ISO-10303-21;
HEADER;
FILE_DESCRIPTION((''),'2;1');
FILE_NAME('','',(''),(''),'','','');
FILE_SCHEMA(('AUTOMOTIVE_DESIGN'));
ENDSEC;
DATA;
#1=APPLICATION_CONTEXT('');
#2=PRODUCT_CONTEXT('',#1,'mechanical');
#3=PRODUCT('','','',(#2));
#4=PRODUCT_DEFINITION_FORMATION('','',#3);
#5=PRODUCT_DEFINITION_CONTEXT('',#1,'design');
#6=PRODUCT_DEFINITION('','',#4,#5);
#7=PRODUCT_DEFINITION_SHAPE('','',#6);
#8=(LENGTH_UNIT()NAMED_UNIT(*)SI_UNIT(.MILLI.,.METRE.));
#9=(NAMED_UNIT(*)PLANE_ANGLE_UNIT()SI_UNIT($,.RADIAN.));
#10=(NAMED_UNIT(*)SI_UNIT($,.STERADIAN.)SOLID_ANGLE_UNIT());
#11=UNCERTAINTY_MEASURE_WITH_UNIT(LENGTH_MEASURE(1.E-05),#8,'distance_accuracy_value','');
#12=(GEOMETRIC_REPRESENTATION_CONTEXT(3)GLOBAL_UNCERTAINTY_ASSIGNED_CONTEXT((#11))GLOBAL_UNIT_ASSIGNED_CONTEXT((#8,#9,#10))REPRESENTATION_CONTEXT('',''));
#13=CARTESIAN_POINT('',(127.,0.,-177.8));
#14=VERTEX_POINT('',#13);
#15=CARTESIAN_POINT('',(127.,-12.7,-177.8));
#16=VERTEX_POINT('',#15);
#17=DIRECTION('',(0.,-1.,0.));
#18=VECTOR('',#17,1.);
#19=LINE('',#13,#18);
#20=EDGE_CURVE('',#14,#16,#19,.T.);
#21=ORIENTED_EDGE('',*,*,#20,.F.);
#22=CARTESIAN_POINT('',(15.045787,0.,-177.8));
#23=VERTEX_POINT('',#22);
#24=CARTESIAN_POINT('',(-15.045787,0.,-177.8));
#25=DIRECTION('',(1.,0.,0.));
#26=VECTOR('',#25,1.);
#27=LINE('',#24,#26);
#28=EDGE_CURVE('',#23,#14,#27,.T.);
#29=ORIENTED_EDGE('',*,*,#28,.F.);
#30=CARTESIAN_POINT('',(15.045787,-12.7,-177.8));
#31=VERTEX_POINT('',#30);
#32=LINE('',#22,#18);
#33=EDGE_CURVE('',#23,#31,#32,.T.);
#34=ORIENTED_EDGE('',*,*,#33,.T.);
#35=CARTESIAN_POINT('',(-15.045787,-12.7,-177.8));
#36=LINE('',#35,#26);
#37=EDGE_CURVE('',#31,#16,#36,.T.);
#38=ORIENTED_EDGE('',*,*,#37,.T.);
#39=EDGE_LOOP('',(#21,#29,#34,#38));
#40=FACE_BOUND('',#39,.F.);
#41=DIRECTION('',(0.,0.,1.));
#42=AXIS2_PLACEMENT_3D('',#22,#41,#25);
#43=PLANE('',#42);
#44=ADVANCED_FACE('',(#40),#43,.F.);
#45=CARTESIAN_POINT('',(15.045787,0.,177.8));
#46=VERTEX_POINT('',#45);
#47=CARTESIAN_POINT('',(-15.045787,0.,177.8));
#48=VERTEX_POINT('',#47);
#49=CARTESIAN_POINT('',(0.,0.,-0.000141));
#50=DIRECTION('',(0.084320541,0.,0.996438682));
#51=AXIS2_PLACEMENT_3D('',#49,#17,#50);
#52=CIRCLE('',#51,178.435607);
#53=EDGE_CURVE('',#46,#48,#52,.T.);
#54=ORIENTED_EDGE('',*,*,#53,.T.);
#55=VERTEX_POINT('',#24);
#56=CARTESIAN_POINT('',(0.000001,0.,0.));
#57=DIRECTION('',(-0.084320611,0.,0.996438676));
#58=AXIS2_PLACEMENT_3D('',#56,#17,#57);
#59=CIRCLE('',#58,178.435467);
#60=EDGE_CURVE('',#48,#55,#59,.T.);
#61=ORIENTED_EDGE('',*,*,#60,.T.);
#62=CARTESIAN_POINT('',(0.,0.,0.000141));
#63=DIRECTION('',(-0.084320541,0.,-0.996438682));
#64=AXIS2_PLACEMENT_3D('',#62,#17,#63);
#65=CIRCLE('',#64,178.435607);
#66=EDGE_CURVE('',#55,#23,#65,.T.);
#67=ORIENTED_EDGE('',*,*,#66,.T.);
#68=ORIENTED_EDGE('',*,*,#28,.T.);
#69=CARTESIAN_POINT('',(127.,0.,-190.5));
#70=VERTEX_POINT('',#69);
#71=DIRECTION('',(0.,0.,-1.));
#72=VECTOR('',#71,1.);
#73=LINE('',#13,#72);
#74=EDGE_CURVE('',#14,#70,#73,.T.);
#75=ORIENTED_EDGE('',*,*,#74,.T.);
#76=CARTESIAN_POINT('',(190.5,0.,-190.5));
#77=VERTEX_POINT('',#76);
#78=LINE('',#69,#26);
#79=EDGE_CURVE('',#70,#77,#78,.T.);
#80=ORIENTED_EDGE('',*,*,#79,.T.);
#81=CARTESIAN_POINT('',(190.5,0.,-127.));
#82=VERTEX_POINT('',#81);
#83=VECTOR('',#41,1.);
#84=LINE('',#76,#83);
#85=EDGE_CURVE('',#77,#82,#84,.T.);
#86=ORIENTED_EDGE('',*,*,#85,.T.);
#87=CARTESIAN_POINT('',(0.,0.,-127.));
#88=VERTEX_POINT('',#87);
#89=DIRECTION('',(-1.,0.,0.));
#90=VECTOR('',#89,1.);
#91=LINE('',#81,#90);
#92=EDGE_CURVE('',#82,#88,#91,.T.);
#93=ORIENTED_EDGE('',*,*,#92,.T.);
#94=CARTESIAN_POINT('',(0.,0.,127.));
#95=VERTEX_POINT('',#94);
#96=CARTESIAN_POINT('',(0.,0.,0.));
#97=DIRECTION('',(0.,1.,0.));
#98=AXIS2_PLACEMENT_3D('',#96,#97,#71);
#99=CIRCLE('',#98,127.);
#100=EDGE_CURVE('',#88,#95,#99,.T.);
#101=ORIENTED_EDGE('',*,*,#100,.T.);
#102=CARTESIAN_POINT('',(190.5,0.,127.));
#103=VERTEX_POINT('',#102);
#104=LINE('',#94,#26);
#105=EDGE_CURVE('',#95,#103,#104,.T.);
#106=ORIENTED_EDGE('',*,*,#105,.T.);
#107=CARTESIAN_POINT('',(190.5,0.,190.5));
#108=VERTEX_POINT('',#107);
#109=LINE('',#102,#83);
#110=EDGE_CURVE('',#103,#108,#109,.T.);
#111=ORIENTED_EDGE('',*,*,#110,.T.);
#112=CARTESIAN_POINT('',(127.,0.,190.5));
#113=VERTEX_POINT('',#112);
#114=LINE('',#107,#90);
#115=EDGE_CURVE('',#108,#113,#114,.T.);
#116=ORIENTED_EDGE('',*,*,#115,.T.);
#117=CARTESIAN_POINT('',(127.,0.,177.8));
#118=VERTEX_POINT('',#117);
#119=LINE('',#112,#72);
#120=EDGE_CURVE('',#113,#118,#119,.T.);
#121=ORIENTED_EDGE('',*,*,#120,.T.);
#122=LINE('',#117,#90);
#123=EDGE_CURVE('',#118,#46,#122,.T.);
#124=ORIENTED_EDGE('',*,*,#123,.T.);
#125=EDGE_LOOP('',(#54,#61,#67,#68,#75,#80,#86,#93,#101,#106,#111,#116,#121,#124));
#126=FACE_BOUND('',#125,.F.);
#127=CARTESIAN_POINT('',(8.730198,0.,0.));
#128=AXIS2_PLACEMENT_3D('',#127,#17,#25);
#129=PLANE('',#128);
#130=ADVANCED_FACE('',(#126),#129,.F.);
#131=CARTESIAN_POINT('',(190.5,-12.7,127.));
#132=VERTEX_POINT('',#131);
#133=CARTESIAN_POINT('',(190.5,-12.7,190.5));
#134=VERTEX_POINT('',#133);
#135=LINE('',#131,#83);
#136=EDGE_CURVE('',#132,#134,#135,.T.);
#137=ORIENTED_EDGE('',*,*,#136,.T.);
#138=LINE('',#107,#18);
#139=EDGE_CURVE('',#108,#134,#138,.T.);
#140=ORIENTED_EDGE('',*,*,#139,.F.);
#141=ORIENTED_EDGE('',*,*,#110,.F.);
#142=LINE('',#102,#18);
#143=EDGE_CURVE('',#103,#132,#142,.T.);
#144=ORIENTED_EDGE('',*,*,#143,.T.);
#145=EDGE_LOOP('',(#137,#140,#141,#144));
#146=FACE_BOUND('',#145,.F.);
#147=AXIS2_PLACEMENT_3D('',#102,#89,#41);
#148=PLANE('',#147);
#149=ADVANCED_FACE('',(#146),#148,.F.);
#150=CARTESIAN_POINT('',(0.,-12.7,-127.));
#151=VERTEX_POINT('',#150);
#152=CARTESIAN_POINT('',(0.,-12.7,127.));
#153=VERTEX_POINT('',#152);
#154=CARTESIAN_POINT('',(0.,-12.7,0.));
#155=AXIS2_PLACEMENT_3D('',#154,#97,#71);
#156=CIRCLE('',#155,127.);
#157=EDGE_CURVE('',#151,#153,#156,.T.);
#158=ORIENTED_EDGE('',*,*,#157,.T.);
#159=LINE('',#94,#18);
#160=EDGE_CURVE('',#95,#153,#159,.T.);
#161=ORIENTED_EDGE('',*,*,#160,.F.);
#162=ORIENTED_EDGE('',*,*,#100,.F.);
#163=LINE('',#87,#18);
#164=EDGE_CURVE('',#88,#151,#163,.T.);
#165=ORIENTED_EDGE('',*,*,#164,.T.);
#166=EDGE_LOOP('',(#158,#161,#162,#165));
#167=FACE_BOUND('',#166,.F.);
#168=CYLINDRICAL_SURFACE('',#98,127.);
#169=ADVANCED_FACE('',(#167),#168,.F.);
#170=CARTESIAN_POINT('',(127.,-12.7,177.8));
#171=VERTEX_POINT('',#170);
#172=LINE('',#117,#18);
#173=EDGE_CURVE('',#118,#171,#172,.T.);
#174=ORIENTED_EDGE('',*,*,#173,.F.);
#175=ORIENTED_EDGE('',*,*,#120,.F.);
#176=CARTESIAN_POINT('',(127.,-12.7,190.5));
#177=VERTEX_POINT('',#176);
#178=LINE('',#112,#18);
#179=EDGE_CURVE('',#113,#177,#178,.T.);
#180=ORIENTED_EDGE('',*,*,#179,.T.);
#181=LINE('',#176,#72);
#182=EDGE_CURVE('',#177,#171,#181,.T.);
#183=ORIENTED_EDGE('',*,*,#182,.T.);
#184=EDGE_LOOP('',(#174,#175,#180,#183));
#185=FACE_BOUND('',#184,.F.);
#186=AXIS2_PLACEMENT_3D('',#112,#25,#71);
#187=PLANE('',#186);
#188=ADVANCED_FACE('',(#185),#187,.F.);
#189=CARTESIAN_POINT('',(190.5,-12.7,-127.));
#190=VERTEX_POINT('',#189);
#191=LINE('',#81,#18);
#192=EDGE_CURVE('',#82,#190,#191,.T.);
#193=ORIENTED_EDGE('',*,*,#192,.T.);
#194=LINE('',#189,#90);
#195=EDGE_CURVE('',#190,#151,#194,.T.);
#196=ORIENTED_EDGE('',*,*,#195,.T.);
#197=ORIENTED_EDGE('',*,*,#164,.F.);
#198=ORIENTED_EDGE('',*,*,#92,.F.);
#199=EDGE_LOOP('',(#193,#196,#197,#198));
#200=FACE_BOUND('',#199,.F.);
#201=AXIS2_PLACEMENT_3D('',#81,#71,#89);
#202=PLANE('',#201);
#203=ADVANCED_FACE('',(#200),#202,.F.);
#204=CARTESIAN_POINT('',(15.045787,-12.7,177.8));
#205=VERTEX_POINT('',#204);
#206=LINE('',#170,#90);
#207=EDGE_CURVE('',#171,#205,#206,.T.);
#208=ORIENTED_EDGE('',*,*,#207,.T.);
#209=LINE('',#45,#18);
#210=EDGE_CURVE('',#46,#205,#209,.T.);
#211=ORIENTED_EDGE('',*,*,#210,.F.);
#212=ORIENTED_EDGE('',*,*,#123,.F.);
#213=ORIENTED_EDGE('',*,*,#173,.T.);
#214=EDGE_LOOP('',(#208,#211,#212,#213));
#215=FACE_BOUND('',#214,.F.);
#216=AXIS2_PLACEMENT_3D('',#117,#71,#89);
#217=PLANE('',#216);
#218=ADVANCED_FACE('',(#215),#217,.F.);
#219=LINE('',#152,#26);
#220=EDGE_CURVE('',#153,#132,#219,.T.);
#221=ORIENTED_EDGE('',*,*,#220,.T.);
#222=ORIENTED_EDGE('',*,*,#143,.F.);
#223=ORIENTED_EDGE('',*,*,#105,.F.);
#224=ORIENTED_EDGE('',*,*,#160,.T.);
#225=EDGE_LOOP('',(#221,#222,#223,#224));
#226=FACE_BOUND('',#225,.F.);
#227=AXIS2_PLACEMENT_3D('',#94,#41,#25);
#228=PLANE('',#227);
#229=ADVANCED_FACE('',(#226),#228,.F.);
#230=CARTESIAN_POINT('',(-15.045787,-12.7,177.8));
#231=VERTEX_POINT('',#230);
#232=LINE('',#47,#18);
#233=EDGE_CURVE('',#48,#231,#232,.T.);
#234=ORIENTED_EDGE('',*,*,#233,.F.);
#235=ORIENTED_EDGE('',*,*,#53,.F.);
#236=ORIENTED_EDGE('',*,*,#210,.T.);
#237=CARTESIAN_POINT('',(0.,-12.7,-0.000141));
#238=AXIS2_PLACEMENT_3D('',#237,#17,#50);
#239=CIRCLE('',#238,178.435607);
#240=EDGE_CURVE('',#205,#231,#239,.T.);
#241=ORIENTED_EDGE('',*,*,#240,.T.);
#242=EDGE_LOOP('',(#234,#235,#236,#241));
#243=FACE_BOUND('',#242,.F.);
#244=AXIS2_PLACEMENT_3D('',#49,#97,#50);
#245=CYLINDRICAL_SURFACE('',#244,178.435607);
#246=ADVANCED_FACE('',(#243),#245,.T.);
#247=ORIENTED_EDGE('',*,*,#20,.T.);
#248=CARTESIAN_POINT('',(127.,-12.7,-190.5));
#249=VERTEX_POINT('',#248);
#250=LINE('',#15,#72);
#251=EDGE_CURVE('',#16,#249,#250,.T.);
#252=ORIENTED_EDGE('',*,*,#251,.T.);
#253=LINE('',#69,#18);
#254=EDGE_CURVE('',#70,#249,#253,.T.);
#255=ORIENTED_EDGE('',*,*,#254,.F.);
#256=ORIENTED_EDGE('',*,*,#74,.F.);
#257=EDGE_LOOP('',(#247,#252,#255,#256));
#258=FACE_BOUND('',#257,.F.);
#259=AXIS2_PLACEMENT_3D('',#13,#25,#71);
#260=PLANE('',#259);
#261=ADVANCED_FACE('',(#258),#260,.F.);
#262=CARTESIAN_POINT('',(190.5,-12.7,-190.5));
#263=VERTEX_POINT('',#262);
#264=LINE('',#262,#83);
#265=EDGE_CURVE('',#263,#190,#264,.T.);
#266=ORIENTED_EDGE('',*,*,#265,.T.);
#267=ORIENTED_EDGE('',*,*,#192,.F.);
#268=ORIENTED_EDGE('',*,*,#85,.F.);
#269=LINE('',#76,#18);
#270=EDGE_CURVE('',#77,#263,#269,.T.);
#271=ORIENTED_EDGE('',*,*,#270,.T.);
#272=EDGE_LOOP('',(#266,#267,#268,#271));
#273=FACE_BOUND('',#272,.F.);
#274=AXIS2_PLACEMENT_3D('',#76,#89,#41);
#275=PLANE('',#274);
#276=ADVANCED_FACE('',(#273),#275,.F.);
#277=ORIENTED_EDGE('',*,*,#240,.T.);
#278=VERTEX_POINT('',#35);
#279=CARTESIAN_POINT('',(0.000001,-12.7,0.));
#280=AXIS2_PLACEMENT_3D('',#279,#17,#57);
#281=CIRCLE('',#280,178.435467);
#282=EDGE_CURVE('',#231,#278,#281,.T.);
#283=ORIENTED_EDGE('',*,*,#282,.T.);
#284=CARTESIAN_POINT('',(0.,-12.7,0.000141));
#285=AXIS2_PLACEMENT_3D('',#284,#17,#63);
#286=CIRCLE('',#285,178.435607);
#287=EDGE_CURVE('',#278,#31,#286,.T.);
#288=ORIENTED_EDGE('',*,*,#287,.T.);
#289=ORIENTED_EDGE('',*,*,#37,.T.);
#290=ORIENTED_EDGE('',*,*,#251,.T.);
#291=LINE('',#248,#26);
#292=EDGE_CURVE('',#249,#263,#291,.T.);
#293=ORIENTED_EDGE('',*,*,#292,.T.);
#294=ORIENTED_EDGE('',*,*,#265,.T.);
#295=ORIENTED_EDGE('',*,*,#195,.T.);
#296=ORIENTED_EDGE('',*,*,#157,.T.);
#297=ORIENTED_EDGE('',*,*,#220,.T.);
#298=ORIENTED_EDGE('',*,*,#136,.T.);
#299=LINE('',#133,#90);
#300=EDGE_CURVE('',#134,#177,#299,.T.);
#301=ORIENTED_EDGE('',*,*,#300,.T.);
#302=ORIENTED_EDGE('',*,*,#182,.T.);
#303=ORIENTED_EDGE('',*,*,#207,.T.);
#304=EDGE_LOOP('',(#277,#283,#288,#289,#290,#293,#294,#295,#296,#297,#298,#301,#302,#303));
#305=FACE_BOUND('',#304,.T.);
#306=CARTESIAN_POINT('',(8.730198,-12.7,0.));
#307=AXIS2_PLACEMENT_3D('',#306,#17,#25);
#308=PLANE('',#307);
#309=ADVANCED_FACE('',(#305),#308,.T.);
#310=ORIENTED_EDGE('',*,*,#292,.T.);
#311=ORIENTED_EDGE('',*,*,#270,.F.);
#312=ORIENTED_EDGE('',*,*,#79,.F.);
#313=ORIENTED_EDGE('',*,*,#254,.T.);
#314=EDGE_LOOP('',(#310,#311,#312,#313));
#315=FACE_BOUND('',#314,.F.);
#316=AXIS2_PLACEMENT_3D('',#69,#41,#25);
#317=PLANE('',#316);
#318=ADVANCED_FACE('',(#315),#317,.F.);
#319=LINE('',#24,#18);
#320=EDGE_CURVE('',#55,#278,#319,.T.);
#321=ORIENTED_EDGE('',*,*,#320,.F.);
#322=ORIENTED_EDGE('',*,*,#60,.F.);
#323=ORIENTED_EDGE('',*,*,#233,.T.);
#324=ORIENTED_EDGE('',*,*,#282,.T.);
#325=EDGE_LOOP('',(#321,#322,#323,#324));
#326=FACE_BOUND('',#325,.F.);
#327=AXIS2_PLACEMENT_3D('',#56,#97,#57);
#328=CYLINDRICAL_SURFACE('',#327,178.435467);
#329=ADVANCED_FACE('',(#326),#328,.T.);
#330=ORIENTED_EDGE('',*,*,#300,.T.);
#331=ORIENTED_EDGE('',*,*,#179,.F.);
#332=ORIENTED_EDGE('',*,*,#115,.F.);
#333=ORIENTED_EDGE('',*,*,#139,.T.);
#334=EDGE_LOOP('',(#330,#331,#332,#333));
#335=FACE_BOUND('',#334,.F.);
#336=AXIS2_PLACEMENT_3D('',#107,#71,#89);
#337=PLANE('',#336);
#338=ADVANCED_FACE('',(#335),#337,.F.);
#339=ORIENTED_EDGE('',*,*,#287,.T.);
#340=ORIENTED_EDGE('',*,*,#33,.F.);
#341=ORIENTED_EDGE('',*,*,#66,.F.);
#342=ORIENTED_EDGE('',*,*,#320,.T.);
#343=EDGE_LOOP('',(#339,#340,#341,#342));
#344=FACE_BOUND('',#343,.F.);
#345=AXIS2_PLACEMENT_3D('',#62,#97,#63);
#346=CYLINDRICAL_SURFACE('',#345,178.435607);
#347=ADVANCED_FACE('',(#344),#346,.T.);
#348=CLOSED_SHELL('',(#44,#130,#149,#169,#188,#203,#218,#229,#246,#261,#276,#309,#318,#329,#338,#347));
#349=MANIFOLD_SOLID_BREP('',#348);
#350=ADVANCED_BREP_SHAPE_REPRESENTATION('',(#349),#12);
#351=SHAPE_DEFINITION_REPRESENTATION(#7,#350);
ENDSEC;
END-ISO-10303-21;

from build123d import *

# Parameters (mm, degrees)
F1_DEPTH = 12.7


with BuildPart() as f1:
    # F0 (on Front) → F1 (new body)
    with BuildSketch(Plane.XZ):
        with BuildLine():
            Line((127, 190.5), (127, 177.8))
            Line((127, 177.8), (15.045787, 177.8))
            Line((15.045787, 177.8), (-15.045787, 177.8))
            ThreePointArc((-15.045787, 177.8), (-178.435466, 0), (-15.045787, -177.8))
            Line((-15.045787, -177.8), (15.045787, -177.8))
            Line((15.045787, -177.8), (127, -177.8))
            Line((127, -177.8), (127, -190.5))
            Line((127, -190.5), (190.5, -190.5))
            Line((190.5, -190.5), (190.5, -177.8))
            Line((190.5, -177.8), (190.5, -127))
            Line((190.5, -127), (127, -127))
            Line((127, -127), (0, -127))
            ThreePointArc((0, -127), (-127, 0), (0, 127))
            Line((0, 127), (127, 127))
            Line((127, 127), (190.5, 127))
            Line((190.5, 127), (190.5, 177.8))
            Line((190.5, 177.8), (190.5, 190.5))
            Line((190.5, 190.5), (127, 190.5))
        make_face()
        with BuildLine():
            Line((-15.045787, 177.8), (15.045787, 177.8))
            ThreePointArc((15.045787, 177.8), (0, 178.435466), (-15.045787, 177.8))
        make_face()
        with BuildLine():
            Line((15.045787, -177.8), (-15.045787, -177.8))
            ThreePointArc((-15.045787, -177.8), (0, -178.435466), (15.045787, -177.8))
        make_face()
    extrude(amount=F1_DEPTH)


solid = f1.part
